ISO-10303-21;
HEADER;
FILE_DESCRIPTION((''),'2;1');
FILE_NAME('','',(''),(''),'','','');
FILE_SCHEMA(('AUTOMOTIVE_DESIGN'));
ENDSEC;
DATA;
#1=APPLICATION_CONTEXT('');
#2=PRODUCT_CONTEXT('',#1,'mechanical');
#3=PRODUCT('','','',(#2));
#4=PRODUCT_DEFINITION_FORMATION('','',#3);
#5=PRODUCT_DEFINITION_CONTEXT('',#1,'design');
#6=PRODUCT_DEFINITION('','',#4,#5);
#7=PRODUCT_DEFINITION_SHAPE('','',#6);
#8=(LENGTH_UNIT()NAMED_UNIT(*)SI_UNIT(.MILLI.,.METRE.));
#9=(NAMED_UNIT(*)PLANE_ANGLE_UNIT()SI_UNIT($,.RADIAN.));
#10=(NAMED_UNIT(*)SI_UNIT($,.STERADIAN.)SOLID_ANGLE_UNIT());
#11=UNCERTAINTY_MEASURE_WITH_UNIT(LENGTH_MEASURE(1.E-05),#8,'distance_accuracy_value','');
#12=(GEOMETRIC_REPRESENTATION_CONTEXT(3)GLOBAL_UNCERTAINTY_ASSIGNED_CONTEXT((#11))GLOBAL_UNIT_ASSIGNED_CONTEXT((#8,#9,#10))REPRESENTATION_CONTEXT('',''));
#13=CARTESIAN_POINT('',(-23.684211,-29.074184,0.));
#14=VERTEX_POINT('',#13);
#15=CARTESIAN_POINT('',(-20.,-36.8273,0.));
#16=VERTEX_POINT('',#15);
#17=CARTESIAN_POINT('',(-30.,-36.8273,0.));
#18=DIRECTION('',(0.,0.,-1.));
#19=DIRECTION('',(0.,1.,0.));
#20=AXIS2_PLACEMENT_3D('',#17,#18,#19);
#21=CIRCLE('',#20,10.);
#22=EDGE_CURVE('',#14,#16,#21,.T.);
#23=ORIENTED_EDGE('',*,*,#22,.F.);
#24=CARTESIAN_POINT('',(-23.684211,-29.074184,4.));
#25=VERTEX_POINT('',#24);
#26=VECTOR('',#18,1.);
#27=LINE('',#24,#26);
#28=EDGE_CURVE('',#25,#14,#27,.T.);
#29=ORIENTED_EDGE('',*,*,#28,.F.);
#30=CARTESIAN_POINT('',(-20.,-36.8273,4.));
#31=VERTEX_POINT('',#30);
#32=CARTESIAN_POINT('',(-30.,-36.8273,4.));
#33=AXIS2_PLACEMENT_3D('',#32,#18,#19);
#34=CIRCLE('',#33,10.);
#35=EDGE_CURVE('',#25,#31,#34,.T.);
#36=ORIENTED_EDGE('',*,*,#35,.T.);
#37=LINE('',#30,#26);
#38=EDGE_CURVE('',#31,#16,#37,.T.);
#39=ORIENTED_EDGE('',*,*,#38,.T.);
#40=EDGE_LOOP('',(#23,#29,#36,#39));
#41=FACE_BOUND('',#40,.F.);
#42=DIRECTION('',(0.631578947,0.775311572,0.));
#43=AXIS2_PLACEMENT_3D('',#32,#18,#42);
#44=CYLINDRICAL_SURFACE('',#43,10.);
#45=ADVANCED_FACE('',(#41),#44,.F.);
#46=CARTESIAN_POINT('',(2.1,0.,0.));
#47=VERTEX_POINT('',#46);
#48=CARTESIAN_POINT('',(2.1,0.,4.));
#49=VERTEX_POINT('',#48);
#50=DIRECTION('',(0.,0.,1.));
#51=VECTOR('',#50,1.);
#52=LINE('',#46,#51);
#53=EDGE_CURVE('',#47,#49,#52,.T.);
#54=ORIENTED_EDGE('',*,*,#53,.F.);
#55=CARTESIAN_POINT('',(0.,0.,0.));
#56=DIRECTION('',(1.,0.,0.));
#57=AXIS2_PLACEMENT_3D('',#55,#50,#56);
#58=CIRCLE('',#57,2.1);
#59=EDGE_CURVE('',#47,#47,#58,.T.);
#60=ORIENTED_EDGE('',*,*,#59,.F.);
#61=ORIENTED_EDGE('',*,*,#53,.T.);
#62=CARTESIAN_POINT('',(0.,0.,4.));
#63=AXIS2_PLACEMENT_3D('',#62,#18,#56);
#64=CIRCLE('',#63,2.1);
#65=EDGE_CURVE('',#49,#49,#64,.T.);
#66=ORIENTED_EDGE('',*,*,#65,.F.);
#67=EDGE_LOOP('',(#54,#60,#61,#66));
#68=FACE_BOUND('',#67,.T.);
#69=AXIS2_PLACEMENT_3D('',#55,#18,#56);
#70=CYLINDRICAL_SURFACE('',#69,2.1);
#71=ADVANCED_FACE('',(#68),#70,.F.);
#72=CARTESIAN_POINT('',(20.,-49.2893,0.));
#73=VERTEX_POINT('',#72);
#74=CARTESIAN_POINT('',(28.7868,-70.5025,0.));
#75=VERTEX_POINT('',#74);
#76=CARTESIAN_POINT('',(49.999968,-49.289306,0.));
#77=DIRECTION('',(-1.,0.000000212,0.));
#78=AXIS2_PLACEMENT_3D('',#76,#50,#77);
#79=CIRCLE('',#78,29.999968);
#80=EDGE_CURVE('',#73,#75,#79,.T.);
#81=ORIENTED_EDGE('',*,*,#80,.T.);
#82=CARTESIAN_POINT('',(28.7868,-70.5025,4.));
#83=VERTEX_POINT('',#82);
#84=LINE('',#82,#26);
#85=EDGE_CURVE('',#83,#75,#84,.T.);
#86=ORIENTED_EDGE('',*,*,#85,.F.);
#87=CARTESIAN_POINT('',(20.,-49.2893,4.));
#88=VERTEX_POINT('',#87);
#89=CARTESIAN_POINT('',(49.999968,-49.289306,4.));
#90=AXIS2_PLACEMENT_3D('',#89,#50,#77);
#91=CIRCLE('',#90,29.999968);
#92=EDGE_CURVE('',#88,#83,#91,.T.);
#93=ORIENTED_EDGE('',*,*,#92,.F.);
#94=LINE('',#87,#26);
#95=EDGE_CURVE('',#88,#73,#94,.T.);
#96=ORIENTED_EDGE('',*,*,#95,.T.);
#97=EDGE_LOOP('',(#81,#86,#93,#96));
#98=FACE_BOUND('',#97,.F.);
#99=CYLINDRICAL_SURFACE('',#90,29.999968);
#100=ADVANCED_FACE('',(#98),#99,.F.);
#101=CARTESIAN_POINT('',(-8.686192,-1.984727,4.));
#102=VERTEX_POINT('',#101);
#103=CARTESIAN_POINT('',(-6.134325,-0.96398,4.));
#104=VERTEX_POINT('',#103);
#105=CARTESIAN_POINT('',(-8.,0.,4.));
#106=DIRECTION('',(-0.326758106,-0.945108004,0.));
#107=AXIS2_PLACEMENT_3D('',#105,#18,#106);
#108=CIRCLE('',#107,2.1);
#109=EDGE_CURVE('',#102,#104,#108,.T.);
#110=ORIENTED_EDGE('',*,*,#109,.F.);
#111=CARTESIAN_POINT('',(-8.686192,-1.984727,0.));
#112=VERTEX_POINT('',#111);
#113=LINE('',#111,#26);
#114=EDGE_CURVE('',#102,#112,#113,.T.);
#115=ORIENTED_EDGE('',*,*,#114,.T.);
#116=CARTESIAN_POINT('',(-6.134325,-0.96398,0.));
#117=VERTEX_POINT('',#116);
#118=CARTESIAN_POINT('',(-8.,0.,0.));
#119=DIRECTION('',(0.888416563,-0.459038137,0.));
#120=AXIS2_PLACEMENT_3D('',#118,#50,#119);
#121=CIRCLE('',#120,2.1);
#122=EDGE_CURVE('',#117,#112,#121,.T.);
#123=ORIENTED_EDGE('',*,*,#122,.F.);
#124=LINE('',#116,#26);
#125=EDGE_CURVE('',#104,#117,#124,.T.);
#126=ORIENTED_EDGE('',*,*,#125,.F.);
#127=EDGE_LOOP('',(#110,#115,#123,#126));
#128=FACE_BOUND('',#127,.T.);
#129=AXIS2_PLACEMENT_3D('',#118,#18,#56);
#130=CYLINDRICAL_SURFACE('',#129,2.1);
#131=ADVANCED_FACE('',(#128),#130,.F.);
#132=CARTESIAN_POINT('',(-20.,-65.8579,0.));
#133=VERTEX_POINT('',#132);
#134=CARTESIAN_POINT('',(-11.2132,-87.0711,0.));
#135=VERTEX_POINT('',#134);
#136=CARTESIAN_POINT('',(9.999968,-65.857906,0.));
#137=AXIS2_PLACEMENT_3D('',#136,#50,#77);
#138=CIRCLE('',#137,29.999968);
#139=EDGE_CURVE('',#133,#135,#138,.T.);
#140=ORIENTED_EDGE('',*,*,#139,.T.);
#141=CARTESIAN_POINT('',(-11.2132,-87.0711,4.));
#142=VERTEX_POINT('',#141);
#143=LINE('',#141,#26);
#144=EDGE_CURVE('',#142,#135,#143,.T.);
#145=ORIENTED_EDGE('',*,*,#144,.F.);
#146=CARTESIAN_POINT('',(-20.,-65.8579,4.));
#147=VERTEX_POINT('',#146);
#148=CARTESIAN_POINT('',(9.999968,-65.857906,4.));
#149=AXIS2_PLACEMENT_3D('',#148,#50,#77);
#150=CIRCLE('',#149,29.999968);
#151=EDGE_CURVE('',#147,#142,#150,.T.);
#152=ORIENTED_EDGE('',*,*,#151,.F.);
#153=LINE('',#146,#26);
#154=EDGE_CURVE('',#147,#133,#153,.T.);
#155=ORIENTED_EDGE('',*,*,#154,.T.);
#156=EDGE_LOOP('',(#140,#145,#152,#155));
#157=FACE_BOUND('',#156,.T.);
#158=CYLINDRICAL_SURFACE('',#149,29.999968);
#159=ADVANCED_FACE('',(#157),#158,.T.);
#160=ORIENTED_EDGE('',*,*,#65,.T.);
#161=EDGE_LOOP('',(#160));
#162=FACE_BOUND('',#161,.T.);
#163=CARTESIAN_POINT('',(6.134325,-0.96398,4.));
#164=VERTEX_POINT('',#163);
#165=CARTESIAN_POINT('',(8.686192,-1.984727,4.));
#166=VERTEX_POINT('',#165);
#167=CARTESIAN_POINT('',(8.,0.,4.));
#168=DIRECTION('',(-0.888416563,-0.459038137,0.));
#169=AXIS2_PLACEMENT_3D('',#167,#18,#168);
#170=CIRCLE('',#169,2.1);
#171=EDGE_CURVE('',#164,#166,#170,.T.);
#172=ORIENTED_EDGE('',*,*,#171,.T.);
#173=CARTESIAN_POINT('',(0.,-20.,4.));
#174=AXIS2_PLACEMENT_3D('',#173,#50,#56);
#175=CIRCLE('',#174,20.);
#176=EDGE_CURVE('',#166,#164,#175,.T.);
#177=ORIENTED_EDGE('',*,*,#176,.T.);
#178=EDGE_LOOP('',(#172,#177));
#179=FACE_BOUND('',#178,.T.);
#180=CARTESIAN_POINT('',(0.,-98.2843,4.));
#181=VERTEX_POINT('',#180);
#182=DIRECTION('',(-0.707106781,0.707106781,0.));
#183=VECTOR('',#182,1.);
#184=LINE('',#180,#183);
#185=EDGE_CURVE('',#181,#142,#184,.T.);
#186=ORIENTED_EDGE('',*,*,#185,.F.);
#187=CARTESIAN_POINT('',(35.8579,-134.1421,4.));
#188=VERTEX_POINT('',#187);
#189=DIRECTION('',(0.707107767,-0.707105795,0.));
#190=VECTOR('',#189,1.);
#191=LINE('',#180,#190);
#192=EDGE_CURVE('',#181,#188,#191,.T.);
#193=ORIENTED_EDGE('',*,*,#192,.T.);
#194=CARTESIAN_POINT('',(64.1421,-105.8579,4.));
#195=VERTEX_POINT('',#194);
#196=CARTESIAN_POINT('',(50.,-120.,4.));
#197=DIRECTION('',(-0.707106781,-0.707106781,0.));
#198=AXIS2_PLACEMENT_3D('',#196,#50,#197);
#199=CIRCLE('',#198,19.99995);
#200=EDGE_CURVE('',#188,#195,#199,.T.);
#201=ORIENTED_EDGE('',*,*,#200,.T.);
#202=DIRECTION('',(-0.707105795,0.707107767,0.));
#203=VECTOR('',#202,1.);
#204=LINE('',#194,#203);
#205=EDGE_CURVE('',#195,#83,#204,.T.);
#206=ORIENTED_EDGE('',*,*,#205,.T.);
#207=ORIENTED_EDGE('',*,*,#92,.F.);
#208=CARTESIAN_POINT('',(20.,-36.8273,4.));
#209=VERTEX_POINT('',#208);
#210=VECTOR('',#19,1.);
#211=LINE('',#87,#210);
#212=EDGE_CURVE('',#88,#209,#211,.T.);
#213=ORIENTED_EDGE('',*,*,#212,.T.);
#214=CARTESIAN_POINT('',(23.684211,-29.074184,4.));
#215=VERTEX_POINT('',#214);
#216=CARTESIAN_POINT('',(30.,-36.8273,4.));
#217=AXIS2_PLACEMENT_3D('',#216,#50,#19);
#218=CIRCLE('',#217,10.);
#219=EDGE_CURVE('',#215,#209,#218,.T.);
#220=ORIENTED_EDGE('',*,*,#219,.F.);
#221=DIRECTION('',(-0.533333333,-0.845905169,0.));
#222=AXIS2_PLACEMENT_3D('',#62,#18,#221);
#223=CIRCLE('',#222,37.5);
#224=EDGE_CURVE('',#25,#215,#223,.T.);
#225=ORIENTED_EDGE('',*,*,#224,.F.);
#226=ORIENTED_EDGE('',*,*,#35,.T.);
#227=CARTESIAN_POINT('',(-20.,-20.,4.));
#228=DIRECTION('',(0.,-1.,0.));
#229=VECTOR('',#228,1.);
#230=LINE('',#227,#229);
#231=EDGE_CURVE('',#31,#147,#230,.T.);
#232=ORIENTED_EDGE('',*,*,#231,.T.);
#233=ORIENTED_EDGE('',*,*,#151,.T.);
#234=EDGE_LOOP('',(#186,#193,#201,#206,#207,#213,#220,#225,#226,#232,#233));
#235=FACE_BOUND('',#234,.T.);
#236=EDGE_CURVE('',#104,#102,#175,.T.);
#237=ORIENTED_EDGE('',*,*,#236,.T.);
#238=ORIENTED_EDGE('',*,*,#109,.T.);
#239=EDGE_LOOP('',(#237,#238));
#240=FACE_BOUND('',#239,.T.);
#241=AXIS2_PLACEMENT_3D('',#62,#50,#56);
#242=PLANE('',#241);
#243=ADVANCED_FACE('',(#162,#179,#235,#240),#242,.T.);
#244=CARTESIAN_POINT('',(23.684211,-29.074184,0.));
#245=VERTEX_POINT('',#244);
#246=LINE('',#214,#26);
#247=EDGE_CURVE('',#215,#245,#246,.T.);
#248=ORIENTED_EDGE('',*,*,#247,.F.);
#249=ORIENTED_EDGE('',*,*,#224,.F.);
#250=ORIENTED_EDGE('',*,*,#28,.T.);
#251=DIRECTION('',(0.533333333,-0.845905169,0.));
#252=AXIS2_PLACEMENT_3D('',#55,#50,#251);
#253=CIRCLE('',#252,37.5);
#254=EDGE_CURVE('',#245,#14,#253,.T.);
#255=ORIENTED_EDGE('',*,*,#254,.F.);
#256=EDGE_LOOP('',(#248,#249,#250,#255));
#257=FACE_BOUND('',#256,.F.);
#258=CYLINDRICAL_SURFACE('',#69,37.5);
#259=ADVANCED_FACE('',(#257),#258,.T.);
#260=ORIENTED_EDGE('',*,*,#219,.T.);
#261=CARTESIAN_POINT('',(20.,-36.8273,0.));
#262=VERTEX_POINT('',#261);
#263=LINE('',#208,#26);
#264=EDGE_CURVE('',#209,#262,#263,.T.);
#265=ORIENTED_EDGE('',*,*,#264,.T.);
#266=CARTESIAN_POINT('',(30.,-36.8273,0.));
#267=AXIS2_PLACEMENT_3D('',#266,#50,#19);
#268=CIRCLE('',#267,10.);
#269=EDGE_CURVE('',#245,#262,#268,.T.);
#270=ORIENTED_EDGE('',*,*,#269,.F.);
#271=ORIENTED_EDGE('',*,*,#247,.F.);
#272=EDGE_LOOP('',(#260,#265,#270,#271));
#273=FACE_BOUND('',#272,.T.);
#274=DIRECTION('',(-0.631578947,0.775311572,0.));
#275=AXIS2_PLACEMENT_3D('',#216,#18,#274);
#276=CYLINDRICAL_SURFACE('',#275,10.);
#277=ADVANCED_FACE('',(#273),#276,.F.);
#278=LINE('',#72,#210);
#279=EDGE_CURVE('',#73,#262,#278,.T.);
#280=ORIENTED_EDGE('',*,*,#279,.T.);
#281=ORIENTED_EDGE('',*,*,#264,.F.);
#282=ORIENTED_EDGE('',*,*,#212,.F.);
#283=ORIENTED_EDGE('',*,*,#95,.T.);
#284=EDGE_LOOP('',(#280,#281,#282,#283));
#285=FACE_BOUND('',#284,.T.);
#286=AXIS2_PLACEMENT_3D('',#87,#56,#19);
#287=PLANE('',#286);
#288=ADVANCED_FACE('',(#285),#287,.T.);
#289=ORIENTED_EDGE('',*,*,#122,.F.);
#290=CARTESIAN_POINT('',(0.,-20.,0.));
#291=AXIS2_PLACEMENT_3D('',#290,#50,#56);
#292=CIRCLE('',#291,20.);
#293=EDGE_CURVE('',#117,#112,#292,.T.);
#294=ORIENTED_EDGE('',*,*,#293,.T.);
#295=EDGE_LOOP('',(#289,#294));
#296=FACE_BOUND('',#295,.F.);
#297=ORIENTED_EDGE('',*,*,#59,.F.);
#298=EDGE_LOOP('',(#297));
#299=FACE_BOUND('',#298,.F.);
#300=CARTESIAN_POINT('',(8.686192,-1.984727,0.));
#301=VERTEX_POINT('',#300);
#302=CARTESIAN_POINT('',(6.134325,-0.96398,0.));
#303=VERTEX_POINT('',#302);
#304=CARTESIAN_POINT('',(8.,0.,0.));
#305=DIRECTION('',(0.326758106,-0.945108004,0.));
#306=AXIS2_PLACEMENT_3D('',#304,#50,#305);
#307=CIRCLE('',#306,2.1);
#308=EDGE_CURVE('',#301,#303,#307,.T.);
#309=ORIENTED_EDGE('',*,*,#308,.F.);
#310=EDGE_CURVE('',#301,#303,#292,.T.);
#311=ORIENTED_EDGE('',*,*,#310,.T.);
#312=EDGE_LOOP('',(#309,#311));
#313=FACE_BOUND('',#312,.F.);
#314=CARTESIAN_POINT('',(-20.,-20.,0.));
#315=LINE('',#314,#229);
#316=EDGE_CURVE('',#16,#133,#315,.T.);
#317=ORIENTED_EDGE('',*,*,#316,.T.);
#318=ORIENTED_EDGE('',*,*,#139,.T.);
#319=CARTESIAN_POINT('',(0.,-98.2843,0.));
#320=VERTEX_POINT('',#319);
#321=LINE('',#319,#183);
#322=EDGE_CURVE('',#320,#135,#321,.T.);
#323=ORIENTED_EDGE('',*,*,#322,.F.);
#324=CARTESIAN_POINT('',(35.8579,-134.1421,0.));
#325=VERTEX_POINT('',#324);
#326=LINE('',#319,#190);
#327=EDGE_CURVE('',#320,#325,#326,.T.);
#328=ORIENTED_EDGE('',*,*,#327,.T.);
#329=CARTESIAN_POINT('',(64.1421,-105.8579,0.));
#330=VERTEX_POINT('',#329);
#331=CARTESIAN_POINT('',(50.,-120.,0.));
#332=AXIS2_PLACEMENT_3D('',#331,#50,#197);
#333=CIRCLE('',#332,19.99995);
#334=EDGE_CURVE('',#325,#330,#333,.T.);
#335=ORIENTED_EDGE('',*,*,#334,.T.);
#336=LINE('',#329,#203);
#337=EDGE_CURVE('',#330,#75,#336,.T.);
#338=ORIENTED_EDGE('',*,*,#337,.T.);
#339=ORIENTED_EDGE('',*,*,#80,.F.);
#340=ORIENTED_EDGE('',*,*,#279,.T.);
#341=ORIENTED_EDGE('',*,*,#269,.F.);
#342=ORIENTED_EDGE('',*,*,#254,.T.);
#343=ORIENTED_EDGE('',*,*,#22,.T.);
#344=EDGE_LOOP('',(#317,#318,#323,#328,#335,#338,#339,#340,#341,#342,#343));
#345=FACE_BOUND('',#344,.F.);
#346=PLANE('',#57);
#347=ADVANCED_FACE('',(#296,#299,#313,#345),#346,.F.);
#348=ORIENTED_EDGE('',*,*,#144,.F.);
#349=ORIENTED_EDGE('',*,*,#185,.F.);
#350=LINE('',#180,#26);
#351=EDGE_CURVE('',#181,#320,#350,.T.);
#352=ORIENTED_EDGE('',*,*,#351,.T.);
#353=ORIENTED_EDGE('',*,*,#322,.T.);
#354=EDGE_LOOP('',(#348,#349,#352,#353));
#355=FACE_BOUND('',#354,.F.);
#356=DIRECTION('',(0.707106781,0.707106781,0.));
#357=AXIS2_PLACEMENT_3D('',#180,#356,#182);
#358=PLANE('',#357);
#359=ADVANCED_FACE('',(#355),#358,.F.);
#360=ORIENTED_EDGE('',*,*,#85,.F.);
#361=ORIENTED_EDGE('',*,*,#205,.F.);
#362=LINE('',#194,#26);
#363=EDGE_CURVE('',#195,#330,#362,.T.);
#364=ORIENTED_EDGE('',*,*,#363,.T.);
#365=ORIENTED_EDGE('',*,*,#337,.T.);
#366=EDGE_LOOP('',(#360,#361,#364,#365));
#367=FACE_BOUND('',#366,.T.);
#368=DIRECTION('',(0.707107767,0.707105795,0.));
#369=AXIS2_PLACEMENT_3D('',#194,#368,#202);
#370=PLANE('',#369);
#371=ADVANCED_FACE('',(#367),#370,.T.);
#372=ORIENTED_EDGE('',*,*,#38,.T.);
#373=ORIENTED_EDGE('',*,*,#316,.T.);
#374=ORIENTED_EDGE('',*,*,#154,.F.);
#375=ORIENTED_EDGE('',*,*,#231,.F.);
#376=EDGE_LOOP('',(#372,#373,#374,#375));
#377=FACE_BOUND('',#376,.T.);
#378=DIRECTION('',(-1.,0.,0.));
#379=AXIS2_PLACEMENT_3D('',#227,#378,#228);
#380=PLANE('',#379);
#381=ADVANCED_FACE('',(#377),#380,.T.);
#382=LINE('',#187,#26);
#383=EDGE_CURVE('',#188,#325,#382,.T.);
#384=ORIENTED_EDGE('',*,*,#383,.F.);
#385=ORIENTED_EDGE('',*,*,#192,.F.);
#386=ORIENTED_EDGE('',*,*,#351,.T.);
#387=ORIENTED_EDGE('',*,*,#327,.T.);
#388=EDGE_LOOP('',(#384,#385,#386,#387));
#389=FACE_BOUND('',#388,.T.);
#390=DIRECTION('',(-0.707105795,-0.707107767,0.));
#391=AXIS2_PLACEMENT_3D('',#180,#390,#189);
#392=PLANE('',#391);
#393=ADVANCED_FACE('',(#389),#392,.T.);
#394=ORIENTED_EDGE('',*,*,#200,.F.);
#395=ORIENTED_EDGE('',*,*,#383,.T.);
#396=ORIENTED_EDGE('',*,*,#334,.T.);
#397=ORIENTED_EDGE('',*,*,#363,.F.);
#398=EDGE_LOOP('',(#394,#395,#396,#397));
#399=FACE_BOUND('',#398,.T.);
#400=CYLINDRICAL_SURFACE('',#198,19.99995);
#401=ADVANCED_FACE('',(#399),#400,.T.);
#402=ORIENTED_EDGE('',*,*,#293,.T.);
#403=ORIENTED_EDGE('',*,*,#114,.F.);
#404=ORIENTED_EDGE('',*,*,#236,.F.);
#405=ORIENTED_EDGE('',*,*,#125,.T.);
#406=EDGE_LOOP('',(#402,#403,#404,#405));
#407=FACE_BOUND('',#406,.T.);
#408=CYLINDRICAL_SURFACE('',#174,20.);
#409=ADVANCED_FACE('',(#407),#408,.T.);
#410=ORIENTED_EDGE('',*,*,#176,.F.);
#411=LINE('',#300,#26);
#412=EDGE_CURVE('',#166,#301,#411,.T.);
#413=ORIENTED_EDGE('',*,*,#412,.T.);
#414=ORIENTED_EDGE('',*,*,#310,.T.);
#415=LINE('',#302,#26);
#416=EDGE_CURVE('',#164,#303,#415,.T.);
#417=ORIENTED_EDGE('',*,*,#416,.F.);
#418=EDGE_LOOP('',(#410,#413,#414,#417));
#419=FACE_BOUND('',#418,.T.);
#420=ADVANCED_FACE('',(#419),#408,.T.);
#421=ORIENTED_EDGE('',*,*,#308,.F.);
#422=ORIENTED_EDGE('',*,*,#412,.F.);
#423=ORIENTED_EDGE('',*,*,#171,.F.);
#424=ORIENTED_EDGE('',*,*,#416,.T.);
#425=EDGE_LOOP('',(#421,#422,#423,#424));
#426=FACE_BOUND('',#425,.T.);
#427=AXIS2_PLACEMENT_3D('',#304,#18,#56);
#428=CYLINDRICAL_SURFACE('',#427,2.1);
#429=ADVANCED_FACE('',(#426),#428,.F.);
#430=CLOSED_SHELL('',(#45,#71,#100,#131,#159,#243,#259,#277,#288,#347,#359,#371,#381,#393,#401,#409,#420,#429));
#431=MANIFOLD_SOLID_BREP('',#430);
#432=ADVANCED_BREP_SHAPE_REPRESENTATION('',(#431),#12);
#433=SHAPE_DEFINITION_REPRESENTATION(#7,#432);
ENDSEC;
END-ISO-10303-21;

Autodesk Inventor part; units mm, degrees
ref_plane "YZ Plane" through (0, 0, 0) normal (1, 0, 0) x (0, 1, 0)
ref_plane "XZ Plane" through (0, 0, 0) normal (0, 1, 0) x (-1, 0, 0)
ref_plane "XY Plane" through (0, 0, 0) normal (0, 0, 1) x (1, 0, 0)
sketch "Эскиз1" plane through (0, 0, 0) normal (0, 0, 1) x (1, 0, 0)
  circle A0 centre (0, 0) radius 37.5
  circle A1 centre (0, 0) radius 2.1
  circle A2 centre (-8, 0) radius 2.1
  circle A3 centre (8, 0) radius 2.1
  line L0 (0, 0) -> (21.2822, 0) construction
  line L1 (0, 0) -> (-18.9176, 0) construction
  dimension "d0" = 75
  dimension "d1" = 4.2
  dimension "d2" = 4.2
  dimension "d3" = 4.2
  dimension "d4" = 8
  dimension "d5" = 8
extrude "Выдавливание1" add sketch "Эскиз1" along normal blind 4
sketch "Эскиз2" plane through (0, 0, 4) normal (0, 0, 1) x (1, 0, 0)
  circle A0 centre (0, 0) radius 2.1 projected
  line L0 (0, 0) -> (0, -140) construction
  line L1 (-20, -20) -> (-20, -65.8579)
  arc A1 (20, -20) -> (-20, -20) centre (0, -20) ccw
  line L2 (0, -70) -> (64.1421, -134.1421) construction
  line L3 (0, -98.2843) -> (35.8579, -134.1421)
  line L4 (64.1421, -105.8579) -> (28.2843, -70)
  arc A2 (35.8579, -134.1421) -> (64.1421, -105.8579) centre (50, -120) ccw
  line L5 (0, -70) -> (90.7107, -70) construction
  line L6 (0, -140) -> (114.1632, -140) construction
  line L7 (0, -98.2843) -> (-11.2132, -87.0711)
  arc A3 (-20, -65.8579) -> (-11.2132, -87.0711) centre (10, -65.8579) ccw
  line L8 (28.2843, -70) -> (28.7868, -70.5025)
  line L9 (20, -49.2893) -> (20, -20)
  arc A4 (20, -49.2893) -> (28.7868, -70.5025) centre (50, -49.2893) ccw
  point P0 (32.0711, -102.0711)
  point P1 (2.0971, -0.1103)
  point P2 (-2.0971, -0.1102)
  dimension "d19" = 45
  dimension "d20" = 40
  dimension "d21" = 30
  dimension "d22" = 30
extrude "Выдавливание2" add sketch "Эскиз2" against normal blind 4 contours A0 A1 L9 A4 L4 A2 L3 L7 A3 L1
fillet "Сопряжение1" radius 10 2 edges at (-20, -31.7214, 2) (20, -31.7214, 2)
